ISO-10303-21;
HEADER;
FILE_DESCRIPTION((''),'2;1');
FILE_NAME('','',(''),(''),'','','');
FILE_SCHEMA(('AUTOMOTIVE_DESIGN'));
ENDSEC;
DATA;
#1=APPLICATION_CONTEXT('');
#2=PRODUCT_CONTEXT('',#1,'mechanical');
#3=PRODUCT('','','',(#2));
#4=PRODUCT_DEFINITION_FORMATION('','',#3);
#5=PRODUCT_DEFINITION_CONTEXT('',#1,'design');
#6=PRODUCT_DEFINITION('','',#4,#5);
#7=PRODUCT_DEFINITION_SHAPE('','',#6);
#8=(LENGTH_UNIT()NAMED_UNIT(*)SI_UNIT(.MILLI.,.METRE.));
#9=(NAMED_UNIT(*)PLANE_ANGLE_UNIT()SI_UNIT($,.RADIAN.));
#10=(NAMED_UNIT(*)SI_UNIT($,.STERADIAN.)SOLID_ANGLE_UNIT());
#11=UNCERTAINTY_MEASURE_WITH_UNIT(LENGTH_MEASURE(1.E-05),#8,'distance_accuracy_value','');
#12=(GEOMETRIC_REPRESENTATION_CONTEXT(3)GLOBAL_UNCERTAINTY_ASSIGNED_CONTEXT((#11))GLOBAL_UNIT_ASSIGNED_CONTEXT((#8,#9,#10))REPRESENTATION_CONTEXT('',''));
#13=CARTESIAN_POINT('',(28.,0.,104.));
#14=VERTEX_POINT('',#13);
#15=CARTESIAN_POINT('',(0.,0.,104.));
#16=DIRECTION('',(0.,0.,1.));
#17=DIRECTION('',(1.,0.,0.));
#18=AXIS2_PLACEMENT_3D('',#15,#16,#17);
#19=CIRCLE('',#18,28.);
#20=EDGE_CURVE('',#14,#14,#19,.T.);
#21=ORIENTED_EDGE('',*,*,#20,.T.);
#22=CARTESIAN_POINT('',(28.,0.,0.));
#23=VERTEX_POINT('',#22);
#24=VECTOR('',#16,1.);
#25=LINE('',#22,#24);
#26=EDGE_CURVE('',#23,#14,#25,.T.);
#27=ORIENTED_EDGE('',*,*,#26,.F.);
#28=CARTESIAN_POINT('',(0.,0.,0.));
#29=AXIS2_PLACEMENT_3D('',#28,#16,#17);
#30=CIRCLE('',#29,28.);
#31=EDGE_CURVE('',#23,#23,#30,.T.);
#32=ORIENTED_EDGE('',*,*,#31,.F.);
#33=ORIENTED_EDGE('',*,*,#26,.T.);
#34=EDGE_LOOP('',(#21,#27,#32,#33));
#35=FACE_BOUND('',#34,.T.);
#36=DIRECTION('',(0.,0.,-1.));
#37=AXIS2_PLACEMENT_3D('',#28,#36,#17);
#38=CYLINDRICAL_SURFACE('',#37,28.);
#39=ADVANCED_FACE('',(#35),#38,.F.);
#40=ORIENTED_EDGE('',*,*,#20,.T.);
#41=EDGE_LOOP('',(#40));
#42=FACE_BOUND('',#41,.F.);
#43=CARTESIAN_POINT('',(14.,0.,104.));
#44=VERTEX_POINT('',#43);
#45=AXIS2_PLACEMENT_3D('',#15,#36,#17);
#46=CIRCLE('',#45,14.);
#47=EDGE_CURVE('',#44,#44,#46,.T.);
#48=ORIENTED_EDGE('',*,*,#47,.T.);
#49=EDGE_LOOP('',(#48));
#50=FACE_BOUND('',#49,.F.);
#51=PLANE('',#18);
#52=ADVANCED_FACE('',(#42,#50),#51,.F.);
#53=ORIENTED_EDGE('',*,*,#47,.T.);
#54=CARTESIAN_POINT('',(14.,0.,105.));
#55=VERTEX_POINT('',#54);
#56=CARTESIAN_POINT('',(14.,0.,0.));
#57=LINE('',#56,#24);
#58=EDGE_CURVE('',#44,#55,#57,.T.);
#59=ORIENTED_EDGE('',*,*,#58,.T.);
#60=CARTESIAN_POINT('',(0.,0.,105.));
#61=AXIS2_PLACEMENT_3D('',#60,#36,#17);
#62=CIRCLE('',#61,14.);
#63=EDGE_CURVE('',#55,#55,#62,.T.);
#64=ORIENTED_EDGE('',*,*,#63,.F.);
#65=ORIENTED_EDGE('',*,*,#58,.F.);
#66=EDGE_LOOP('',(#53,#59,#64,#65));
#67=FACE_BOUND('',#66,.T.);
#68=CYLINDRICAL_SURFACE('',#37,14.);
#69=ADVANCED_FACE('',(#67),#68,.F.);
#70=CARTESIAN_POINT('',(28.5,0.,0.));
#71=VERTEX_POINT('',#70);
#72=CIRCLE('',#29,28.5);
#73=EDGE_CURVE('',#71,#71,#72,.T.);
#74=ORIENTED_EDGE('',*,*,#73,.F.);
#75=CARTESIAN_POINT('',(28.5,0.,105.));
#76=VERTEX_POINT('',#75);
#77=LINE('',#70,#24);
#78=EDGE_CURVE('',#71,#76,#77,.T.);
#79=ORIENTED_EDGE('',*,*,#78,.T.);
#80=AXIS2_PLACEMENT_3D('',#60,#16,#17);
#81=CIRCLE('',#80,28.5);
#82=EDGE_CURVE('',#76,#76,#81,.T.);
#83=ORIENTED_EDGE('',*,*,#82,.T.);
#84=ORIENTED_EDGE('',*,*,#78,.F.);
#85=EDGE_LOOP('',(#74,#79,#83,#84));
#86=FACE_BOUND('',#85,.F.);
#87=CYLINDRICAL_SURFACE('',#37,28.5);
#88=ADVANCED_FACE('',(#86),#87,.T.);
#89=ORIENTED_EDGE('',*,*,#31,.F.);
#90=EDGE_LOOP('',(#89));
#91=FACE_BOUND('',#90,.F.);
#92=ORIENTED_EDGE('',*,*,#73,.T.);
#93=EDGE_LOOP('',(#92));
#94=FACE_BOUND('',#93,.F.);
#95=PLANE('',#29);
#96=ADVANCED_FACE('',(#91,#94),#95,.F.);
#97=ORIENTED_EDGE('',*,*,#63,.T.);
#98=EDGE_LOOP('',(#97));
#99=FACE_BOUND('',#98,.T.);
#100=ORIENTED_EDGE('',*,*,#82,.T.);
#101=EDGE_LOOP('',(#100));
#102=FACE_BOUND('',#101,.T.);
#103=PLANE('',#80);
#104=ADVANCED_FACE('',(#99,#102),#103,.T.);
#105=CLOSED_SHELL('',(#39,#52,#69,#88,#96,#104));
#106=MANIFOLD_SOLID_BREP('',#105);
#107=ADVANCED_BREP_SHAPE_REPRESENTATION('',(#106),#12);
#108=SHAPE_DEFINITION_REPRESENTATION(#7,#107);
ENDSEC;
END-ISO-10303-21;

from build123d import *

# Parameters (mm, degrees)
CYLINDER001_R     = 14
CYLINDER001_DEPTH = 110
CYLINDER_R        = 28
CYLINDER_DEPTH    = 104
SKETCH_R          = 28.5
EXTRUDE_DEPTH     = 105


with BuildPart() as cylinder001:
    # Cylinder001 → Cylinder001 (new body)
    with BuildSketch(Plane.XY):
        Circle(CYLINDER001_R)
    extrude(amount=CYLINDER001_DEPTH)


with BuildPart() as cylinder:
    # Cylinder → Cylinder (new body)
    with BuildSketch(Plane.XY):
        Circle(CYLINDER_R)
    extrude(amount=CYLINDER_DEPTH)


with BuildPart() as cut001:
    # Sketch → Extrude (new body)
    with BuildSketch(Plane.XY):
        Circle(SKETCH_R)
    extrude(amount=EXTRUDE_DEPTH)

    # Cut: cut Cylinder
    add(cylinder.part, mode=Mode.SUBTRACT)

    # Cut001: cut Cylinder001
    add(cylinder001.part, mode=Mode.SUBTRACT)


solid = cut001.part
